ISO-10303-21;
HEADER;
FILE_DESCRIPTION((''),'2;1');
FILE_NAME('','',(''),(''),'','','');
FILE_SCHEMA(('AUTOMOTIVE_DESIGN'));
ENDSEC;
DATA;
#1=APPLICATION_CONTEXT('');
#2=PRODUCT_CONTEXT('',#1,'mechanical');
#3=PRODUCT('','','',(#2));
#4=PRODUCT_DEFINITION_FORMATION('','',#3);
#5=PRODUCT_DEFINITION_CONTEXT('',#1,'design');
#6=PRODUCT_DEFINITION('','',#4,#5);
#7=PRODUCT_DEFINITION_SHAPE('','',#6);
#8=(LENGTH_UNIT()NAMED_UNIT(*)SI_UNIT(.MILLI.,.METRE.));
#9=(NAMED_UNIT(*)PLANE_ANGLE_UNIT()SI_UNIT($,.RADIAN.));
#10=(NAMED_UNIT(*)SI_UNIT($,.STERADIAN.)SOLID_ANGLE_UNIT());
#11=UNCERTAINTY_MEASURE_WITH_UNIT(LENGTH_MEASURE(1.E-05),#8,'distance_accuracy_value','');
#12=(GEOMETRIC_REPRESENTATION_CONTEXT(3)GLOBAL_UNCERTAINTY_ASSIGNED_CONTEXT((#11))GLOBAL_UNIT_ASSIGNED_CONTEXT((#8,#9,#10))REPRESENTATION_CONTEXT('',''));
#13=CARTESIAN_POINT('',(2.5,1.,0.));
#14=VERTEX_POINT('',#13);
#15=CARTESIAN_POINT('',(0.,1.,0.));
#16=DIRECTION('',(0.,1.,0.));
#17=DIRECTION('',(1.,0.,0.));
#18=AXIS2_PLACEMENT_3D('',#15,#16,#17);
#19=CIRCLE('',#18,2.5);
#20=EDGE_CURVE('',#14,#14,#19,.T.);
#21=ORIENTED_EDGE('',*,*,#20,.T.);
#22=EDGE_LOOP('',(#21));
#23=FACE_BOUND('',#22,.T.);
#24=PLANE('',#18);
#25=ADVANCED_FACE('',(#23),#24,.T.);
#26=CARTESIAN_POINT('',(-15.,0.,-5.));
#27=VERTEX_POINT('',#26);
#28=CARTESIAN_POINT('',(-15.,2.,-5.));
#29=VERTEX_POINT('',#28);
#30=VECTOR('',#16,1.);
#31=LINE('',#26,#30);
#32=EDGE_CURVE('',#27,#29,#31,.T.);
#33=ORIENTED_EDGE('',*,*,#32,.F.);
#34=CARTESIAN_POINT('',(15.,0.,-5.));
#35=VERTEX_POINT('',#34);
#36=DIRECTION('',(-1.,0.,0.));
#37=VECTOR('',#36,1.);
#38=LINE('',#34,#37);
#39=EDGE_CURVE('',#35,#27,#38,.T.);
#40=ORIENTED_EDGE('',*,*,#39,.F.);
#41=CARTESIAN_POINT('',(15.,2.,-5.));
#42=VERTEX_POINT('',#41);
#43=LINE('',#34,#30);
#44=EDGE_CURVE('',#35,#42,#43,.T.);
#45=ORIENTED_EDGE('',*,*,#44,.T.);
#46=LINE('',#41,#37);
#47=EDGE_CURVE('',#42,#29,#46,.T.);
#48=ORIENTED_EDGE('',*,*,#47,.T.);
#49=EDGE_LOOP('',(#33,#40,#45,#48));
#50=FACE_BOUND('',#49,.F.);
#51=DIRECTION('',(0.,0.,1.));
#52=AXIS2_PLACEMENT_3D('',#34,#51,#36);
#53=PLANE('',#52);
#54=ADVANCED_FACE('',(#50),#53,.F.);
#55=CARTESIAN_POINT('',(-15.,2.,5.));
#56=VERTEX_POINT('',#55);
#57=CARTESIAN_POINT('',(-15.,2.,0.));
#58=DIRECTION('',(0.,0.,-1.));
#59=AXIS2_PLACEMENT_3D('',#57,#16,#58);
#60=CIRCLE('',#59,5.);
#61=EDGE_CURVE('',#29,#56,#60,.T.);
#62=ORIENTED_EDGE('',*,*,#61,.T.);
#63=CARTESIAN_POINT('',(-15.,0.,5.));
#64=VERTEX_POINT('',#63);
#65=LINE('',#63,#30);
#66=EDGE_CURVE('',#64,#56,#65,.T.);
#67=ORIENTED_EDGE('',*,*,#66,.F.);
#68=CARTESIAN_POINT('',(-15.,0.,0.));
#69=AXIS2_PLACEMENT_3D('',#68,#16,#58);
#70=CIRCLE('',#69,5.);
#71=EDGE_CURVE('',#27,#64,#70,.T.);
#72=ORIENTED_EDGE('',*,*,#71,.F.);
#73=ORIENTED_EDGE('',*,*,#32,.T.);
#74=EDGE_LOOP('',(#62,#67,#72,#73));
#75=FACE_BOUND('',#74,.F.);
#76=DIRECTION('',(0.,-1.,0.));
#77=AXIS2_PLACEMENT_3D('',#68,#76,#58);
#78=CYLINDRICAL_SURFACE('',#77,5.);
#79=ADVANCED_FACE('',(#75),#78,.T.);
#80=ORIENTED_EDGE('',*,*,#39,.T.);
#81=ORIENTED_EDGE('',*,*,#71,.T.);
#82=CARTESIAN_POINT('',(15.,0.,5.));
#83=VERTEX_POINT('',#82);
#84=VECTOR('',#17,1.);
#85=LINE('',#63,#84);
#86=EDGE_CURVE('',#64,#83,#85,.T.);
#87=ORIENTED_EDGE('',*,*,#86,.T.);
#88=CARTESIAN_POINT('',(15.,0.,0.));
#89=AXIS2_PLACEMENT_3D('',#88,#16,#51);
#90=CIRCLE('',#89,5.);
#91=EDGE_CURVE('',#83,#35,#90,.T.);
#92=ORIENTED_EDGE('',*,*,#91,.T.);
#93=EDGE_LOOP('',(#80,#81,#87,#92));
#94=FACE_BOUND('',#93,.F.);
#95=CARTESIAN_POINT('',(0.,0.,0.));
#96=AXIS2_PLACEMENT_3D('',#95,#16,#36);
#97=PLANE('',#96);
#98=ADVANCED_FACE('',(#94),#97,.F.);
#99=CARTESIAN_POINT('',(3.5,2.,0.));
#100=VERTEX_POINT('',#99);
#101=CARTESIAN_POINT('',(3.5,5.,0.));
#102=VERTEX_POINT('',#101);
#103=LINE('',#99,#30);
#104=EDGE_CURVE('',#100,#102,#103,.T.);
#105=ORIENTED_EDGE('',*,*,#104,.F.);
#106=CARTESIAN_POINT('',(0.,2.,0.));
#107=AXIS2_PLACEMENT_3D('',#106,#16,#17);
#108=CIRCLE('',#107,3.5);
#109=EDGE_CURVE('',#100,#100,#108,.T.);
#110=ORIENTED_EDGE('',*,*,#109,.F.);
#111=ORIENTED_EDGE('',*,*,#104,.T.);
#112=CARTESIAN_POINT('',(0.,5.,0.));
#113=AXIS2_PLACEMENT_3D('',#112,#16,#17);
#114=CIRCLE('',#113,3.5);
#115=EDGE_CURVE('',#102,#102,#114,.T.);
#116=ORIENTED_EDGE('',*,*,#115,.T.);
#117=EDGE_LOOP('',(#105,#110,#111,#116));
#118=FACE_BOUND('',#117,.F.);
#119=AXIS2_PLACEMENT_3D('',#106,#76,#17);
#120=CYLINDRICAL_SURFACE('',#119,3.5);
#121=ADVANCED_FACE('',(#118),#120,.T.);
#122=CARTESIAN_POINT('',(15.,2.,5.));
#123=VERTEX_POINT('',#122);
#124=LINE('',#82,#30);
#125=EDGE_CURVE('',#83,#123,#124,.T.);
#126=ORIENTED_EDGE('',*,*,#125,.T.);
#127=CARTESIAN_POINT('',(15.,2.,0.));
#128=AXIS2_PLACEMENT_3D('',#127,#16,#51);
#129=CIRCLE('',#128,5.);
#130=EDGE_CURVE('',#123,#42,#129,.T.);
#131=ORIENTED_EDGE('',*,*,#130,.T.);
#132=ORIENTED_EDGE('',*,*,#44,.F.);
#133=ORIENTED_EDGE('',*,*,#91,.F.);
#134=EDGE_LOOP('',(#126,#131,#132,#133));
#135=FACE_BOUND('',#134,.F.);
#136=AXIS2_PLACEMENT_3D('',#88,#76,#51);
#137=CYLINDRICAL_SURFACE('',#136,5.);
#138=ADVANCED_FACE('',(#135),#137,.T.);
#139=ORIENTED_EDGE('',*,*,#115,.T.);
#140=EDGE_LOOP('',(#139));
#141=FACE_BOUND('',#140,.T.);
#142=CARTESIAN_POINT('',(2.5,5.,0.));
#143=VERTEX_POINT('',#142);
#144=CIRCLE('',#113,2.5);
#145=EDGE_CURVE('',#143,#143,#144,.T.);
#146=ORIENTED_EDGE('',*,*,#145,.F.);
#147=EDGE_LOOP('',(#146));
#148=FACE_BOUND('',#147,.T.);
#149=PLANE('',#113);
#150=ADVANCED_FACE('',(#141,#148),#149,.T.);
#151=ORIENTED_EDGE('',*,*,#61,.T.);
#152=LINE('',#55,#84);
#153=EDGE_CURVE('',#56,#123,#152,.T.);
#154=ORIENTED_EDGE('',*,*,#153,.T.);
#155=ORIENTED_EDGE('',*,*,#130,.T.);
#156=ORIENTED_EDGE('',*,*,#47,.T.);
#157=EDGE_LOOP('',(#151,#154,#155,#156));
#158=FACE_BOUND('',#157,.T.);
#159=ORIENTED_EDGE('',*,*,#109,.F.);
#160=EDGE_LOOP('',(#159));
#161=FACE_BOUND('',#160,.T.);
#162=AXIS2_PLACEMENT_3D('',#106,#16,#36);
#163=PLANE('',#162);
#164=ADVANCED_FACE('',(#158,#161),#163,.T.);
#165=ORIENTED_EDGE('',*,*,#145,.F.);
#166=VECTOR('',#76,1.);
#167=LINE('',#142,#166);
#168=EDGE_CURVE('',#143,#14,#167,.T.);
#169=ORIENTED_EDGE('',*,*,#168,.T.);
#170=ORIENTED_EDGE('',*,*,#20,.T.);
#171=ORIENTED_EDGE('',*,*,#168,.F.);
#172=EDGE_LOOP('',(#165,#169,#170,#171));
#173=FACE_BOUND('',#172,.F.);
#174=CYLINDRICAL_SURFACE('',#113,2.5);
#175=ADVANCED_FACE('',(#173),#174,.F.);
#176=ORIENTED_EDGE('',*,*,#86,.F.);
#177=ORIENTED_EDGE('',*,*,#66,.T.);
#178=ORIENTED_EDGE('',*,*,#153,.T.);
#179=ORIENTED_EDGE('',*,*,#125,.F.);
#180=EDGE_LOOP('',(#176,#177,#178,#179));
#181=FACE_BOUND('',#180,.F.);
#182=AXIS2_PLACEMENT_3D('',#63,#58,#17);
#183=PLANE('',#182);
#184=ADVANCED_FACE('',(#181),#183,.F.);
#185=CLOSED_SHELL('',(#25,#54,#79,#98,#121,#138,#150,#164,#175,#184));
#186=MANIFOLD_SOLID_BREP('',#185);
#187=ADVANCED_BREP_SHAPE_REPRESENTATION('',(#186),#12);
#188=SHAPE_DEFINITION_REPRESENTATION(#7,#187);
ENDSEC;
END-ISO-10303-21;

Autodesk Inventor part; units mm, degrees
ref_plane "YZ Plane" through (0, 0, 0) normal (1, 0, 0) x (0, 1, 0)
ref_plane "XZ Plane" through (0, 0, 0) normal (0, 1, 0) x (-1, 0, 0)
ref_plane "XY Plane" through (0, 0, 0) normal (0, 0, 1) x (1, 0, 0)
sketch "Sketch1" plane through (0, 0, 0) normal (0, 1, 0) x (-1, 0, 0)
  line L0 (15, 0) -> (-15, 0) construction
  line L1 (15, 5) -> (-15, 5)
  line L2 (-15, -5) -> (15, -5)
  arc A0 (15, -5) -> (15, 5) centre (15, 0) ccw
  arc A1 (-15, 5) -> (-15, -5) centre (-15, 0) ccw
  point P0 (0, 0)
  dimension "d0" = 15
  dimension "d1" = 10
extrude "Extrusion1" add sketch "Sketch1" along normal blind 2
sketch "Sketch2" plane through (0, 2, 0) normal (0, 1, 0) x (1, 0, 0)
  circle A0 centre (0, 0) radius 3.5
  dimension "d4" = 7
extrude "Extrusion2" add sketch "Sketch2" along normal blind 3
sketch "Sketch3" plane through (0, 5, 0) normal (0, 1, 0) x (1, 0, 0)
  circle A0 centre (0, 0) radius 2.5
  dimension "d7" = 5
extrude "Extrusion3" cut sketch "Sketch3" against normal blind 4
properties part number "tang"
